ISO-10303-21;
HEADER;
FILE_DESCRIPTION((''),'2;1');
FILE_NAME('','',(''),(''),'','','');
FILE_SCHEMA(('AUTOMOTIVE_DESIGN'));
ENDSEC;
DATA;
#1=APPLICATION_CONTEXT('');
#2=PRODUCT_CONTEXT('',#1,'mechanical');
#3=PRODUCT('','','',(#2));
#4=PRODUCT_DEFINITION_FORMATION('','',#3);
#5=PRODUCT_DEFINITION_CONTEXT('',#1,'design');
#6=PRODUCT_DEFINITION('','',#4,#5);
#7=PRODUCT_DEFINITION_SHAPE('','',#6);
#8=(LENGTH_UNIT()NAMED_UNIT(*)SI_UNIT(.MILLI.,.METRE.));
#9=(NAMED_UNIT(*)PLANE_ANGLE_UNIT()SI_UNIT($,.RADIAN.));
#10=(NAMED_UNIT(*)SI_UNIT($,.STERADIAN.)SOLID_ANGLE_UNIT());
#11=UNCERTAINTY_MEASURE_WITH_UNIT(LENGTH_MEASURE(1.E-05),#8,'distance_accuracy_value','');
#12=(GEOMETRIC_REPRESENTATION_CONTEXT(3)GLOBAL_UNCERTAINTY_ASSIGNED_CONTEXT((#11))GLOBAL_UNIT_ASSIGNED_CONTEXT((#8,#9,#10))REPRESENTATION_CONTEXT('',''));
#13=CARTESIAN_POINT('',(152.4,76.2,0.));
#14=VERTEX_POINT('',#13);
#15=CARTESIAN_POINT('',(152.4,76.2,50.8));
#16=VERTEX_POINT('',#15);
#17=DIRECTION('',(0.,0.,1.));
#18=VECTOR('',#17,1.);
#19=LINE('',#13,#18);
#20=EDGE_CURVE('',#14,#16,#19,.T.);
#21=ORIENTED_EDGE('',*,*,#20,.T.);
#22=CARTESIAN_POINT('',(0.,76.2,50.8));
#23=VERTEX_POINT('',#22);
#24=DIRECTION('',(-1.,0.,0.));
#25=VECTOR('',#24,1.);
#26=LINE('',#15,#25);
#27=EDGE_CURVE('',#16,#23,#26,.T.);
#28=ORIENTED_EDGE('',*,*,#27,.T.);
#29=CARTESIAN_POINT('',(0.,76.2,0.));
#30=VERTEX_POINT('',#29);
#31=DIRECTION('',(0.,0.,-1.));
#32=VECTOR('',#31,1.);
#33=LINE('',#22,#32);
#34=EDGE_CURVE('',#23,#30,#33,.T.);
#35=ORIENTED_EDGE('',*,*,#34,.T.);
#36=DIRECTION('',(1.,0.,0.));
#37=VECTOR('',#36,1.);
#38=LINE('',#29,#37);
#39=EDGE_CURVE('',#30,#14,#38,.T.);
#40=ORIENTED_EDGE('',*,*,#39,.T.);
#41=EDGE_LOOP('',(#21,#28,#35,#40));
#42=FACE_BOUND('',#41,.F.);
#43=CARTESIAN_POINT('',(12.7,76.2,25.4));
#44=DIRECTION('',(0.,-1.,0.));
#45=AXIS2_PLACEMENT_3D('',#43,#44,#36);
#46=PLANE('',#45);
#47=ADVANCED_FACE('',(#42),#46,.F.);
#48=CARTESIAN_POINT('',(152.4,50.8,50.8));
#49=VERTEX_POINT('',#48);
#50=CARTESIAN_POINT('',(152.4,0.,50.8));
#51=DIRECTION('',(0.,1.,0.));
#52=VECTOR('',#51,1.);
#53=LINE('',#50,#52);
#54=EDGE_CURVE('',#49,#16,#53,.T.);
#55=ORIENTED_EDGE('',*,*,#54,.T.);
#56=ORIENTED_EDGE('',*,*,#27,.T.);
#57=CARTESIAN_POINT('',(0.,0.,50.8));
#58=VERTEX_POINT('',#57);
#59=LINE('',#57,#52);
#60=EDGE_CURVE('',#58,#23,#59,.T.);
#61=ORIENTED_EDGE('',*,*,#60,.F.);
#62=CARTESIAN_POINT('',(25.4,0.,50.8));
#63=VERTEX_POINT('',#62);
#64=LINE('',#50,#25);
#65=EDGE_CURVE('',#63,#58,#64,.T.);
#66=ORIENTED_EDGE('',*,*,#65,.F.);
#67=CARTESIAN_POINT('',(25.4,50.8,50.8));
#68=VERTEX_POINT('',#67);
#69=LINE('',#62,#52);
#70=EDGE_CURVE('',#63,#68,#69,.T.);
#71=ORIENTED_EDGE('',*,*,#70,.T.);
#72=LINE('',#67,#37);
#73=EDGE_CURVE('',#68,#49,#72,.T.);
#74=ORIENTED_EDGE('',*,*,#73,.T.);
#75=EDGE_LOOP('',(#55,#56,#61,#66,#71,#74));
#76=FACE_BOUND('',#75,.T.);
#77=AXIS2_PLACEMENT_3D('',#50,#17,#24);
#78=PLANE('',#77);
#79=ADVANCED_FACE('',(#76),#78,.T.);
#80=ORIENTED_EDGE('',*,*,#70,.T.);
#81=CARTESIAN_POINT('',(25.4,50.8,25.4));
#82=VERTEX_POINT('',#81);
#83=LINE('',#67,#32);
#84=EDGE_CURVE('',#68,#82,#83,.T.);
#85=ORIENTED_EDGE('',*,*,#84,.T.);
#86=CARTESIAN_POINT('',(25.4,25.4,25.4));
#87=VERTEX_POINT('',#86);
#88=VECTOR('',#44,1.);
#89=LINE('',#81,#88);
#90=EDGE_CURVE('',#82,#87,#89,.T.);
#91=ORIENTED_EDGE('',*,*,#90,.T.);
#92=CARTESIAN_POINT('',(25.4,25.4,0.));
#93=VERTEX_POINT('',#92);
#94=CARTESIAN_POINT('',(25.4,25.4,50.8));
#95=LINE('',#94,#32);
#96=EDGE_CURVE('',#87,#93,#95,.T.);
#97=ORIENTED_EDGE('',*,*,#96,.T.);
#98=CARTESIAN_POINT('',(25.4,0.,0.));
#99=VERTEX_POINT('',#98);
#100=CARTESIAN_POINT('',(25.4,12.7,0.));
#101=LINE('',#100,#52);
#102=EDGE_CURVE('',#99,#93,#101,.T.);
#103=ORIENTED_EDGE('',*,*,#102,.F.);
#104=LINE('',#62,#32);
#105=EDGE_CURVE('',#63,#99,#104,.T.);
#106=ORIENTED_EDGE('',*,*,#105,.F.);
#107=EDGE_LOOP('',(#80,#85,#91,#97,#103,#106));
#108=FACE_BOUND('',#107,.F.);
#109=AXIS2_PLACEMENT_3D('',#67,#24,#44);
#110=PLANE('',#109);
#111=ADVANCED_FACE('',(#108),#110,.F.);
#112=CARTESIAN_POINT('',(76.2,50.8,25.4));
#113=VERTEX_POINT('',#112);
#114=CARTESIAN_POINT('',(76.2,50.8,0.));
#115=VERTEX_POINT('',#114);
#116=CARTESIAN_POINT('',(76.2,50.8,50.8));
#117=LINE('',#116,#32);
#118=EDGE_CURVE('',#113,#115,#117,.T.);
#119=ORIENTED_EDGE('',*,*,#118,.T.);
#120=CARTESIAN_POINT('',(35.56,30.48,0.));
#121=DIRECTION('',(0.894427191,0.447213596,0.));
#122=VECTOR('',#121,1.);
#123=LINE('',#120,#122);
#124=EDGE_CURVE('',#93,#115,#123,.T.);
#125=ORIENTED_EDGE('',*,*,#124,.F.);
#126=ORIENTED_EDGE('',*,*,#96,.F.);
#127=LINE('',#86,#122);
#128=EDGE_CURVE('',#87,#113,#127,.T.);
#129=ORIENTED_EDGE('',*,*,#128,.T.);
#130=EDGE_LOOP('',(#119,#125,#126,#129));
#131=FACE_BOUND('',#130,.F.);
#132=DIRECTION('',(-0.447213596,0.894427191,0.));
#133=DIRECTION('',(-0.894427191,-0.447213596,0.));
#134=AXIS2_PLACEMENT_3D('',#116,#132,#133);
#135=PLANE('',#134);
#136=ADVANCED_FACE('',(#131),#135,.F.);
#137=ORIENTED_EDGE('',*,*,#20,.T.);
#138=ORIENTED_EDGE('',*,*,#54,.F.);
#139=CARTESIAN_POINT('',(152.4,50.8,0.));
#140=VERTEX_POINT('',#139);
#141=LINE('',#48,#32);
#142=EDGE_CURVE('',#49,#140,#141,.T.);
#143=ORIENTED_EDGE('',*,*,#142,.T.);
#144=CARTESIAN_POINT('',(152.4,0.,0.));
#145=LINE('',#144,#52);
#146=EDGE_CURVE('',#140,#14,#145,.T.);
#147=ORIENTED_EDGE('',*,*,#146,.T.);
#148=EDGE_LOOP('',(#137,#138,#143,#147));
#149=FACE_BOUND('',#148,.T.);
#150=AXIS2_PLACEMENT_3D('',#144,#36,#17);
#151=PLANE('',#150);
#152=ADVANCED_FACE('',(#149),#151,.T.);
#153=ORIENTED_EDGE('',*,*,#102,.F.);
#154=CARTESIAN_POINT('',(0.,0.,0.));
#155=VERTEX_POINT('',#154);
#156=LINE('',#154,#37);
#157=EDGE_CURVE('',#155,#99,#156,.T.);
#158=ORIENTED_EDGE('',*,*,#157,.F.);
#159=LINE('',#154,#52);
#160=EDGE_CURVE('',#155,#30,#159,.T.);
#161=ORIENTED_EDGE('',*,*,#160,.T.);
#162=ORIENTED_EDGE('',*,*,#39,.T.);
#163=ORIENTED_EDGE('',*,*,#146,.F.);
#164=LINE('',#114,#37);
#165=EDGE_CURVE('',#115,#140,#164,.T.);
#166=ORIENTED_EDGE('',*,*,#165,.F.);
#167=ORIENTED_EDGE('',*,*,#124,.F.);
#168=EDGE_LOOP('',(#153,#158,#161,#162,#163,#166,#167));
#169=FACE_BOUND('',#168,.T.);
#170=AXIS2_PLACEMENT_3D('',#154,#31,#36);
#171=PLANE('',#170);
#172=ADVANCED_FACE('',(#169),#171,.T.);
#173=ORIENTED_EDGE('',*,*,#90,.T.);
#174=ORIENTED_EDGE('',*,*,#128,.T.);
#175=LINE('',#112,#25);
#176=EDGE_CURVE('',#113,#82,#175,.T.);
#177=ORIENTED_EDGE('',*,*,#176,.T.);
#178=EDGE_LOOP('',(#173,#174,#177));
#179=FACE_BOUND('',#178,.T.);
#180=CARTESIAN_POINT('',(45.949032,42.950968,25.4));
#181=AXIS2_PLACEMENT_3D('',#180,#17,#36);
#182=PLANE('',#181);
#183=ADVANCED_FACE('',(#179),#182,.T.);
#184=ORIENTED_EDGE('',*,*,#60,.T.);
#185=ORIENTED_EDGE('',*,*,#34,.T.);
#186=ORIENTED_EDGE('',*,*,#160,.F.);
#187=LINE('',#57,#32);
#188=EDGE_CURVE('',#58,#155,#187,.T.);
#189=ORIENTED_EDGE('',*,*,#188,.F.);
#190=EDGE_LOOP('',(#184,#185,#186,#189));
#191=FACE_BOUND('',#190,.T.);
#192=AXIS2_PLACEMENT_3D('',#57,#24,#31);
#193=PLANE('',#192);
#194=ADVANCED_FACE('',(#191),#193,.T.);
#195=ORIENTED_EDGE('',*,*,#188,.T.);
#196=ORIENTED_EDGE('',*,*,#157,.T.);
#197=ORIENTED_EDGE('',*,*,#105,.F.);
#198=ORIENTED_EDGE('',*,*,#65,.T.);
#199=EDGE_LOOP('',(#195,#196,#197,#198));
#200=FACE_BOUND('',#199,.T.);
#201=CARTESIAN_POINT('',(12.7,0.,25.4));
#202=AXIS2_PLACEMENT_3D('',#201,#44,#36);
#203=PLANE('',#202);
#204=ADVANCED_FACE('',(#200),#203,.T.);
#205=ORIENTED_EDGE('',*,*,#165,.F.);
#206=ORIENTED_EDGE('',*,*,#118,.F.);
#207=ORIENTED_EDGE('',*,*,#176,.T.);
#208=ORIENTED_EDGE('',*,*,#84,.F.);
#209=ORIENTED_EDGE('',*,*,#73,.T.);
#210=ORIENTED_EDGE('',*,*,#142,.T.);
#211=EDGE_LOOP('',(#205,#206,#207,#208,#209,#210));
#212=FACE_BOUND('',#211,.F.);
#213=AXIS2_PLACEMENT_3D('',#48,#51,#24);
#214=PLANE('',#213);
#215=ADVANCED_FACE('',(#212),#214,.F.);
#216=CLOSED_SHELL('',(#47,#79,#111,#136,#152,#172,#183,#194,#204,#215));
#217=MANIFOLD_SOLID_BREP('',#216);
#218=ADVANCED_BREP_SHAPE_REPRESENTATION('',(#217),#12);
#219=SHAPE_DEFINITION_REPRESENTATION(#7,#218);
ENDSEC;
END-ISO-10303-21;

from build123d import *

# Parameters (mm, degrees)
F0_W     = 50.8
F0_H     = 25.4
F1_DEPTH = 76.2
F3_DEPTH = 76.2
F5_DEPTH = 25.4


with BuildPart() as f1:
    # F0 (on Front) → F1 (new body)
    with BuildSketch(Plane.XZ):
        Polygon((0, 50.8), (0, 0), (25.4, 0), (25.4, 25.4), (25.4, 50.8), align=None)
        Polygon((152.4, 50.8), (25.4, 50.8), (25.4, 25.4), (76.2, 25.4), (76.2, 0), (152.4, 0), align=None)
        with Locations((50.8, 12.7)):
            Rectangle(F0_W, F0_H)
    extrude(amount=-F1_DEPTH)

    # F2 (on face) → F3 (cut)
    with BuildSketch(Plane.XY.offset(50.8)):
        Polygon((152.4, 0), (152.4, 50.8), (76.2, 50.8), (25.4, 25.4), (25.4, 0), align=None)
    extrude(amount=-F3_DEPTH, mode=Mode.SUBTRACT)

    # F4 (on face) → F5 (cut)
    with BuildSketch(Plane.XY.offset(50.8)):
        Polygon((25.4, 50.8), (25.4, 25.4), (76.2, 50.8), align=None)
    extrude(amount=-F5_DEPTH, mode=Mode.SUBTRACT)


solid = f1.part
